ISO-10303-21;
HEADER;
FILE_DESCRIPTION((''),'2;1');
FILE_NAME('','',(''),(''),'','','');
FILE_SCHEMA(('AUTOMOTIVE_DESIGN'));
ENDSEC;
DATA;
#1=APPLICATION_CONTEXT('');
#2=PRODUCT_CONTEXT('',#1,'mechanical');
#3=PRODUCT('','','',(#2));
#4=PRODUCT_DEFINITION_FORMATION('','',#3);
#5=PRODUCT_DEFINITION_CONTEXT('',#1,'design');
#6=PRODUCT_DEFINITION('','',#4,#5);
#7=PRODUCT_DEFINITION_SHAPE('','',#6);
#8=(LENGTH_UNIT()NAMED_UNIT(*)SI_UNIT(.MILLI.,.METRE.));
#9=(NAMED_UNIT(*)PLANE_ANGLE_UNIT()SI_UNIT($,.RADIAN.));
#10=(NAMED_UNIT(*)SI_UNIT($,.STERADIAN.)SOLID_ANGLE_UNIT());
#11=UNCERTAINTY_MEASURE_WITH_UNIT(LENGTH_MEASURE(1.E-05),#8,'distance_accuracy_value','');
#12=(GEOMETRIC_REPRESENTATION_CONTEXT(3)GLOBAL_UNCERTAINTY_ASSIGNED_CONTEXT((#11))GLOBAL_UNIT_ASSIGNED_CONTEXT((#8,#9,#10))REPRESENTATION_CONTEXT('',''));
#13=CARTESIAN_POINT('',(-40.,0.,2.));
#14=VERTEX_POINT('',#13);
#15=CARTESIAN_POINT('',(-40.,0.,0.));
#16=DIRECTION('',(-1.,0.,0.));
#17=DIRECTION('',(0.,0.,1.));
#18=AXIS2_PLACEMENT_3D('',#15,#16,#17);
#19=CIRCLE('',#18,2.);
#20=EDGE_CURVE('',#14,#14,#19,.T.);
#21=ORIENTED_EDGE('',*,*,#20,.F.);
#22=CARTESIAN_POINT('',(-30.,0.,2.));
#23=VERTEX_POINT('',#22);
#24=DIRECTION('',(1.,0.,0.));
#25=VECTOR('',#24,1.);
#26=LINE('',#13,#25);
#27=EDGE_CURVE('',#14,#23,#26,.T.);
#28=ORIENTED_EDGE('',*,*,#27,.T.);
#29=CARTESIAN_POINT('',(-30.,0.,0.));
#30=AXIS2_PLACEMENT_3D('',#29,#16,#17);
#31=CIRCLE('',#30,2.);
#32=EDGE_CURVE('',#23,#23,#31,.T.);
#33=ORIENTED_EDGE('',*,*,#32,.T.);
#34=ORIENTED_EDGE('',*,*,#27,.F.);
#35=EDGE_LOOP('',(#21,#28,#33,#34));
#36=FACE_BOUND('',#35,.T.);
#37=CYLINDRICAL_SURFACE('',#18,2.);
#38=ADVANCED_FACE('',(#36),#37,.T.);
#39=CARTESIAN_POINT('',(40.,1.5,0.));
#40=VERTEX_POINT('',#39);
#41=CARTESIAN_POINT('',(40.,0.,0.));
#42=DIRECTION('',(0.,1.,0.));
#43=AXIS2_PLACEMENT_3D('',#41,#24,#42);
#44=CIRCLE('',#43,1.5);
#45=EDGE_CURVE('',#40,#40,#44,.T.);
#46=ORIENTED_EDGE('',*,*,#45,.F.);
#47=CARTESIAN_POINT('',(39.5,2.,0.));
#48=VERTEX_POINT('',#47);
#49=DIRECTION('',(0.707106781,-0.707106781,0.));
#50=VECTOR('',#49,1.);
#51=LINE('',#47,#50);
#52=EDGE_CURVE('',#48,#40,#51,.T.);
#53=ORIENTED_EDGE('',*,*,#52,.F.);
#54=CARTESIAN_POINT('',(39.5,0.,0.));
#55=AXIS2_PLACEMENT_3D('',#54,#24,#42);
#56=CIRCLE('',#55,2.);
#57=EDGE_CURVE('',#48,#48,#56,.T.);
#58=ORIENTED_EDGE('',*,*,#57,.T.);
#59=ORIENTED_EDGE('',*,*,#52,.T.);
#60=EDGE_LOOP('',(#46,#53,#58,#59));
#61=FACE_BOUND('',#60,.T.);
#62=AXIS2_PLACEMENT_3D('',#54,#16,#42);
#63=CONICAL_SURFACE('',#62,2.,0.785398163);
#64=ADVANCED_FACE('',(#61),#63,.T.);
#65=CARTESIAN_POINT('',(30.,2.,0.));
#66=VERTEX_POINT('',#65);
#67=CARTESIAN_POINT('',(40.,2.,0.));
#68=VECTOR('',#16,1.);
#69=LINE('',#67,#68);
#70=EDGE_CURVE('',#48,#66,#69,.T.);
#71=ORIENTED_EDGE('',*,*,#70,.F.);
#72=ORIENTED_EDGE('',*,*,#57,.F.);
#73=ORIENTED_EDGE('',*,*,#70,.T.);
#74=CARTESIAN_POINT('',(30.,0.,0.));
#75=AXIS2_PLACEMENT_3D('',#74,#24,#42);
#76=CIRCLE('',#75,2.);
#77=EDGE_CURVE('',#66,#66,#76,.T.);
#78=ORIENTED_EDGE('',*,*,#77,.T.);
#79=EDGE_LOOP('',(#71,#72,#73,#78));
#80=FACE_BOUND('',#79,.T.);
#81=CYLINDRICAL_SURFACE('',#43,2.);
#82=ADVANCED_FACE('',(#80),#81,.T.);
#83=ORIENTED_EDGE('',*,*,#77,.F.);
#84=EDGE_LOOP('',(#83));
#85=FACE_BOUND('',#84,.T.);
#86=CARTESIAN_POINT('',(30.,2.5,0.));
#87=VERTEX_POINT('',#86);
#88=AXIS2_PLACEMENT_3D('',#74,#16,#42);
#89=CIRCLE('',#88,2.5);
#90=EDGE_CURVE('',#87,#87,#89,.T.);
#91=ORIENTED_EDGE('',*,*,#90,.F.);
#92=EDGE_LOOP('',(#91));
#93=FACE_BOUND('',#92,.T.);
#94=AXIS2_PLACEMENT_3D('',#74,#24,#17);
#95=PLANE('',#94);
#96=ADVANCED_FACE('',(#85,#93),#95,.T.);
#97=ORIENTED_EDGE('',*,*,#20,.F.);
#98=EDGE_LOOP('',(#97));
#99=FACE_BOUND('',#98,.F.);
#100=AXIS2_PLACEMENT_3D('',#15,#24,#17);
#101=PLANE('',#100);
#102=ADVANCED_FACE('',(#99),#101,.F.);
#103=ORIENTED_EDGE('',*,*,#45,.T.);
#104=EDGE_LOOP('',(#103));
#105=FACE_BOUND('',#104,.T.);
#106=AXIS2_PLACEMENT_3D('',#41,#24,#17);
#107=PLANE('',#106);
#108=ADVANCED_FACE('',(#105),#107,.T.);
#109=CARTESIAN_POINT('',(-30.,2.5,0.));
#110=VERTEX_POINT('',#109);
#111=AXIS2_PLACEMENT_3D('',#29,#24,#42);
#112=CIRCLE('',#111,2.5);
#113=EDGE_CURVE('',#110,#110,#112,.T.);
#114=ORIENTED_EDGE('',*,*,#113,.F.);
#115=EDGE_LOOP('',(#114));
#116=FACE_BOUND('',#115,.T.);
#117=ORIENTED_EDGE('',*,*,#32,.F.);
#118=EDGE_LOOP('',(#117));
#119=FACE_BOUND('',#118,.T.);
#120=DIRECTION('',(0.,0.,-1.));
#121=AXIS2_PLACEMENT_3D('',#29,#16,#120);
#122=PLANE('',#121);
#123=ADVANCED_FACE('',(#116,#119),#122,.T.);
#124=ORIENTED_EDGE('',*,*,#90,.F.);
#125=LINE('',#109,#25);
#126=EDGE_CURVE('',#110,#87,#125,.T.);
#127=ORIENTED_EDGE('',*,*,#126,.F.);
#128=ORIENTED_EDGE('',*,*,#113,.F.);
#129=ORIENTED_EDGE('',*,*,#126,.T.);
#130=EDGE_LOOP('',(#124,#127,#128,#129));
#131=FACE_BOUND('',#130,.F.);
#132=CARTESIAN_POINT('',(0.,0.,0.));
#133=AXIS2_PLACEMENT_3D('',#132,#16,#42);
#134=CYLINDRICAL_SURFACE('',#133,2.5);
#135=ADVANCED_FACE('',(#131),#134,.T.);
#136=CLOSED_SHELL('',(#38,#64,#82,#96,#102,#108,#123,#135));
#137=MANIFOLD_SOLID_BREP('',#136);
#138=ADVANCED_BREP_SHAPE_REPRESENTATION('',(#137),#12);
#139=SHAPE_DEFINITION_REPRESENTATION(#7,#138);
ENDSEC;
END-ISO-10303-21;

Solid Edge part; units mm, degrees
sketch "Sketch1" plane through (0, 0, 0) normal (1, 0, 0) x (0, 1, 0)
  circle A0 centre (0, 0) radius 2.5
  dimension "D1" = 5
extrude "Protrusion1" add sketch "Sketch1" along normal mid plane 80
sketch "Sketch2" plane through (40, 0, 0) normal (1, 0, 0) x (0, 1, 0)
  circle A0 centre (0, 0) radius 2
  dimension "D1" = 4
extrude "Extrusionsausschnitt_1" cut sketch "Sketch2" against normal blind 10 flip side to cut
cosmetic_thread "Thread1" size "M4"
chamfer "Fase_1" distance 0.5 angle 45 1 edges at (40, -2, 0)
sketch "Sketch3" plane through (-40, 0, 0) normal (-1, 0, 0) x (0, 0, 1)
  circle A0 centre (0, 0) radius 2
  dimension "D1" = 4
extrude "Extrusionsausschnitt_2" cut sketch "Sketch3" against normal blind 10 flip side to cut
cosmetic_thread "Thread2" size "M4"
properties material "Aluminiumlegierung:3.0205, Al 99.0, EN-AW 1200"
